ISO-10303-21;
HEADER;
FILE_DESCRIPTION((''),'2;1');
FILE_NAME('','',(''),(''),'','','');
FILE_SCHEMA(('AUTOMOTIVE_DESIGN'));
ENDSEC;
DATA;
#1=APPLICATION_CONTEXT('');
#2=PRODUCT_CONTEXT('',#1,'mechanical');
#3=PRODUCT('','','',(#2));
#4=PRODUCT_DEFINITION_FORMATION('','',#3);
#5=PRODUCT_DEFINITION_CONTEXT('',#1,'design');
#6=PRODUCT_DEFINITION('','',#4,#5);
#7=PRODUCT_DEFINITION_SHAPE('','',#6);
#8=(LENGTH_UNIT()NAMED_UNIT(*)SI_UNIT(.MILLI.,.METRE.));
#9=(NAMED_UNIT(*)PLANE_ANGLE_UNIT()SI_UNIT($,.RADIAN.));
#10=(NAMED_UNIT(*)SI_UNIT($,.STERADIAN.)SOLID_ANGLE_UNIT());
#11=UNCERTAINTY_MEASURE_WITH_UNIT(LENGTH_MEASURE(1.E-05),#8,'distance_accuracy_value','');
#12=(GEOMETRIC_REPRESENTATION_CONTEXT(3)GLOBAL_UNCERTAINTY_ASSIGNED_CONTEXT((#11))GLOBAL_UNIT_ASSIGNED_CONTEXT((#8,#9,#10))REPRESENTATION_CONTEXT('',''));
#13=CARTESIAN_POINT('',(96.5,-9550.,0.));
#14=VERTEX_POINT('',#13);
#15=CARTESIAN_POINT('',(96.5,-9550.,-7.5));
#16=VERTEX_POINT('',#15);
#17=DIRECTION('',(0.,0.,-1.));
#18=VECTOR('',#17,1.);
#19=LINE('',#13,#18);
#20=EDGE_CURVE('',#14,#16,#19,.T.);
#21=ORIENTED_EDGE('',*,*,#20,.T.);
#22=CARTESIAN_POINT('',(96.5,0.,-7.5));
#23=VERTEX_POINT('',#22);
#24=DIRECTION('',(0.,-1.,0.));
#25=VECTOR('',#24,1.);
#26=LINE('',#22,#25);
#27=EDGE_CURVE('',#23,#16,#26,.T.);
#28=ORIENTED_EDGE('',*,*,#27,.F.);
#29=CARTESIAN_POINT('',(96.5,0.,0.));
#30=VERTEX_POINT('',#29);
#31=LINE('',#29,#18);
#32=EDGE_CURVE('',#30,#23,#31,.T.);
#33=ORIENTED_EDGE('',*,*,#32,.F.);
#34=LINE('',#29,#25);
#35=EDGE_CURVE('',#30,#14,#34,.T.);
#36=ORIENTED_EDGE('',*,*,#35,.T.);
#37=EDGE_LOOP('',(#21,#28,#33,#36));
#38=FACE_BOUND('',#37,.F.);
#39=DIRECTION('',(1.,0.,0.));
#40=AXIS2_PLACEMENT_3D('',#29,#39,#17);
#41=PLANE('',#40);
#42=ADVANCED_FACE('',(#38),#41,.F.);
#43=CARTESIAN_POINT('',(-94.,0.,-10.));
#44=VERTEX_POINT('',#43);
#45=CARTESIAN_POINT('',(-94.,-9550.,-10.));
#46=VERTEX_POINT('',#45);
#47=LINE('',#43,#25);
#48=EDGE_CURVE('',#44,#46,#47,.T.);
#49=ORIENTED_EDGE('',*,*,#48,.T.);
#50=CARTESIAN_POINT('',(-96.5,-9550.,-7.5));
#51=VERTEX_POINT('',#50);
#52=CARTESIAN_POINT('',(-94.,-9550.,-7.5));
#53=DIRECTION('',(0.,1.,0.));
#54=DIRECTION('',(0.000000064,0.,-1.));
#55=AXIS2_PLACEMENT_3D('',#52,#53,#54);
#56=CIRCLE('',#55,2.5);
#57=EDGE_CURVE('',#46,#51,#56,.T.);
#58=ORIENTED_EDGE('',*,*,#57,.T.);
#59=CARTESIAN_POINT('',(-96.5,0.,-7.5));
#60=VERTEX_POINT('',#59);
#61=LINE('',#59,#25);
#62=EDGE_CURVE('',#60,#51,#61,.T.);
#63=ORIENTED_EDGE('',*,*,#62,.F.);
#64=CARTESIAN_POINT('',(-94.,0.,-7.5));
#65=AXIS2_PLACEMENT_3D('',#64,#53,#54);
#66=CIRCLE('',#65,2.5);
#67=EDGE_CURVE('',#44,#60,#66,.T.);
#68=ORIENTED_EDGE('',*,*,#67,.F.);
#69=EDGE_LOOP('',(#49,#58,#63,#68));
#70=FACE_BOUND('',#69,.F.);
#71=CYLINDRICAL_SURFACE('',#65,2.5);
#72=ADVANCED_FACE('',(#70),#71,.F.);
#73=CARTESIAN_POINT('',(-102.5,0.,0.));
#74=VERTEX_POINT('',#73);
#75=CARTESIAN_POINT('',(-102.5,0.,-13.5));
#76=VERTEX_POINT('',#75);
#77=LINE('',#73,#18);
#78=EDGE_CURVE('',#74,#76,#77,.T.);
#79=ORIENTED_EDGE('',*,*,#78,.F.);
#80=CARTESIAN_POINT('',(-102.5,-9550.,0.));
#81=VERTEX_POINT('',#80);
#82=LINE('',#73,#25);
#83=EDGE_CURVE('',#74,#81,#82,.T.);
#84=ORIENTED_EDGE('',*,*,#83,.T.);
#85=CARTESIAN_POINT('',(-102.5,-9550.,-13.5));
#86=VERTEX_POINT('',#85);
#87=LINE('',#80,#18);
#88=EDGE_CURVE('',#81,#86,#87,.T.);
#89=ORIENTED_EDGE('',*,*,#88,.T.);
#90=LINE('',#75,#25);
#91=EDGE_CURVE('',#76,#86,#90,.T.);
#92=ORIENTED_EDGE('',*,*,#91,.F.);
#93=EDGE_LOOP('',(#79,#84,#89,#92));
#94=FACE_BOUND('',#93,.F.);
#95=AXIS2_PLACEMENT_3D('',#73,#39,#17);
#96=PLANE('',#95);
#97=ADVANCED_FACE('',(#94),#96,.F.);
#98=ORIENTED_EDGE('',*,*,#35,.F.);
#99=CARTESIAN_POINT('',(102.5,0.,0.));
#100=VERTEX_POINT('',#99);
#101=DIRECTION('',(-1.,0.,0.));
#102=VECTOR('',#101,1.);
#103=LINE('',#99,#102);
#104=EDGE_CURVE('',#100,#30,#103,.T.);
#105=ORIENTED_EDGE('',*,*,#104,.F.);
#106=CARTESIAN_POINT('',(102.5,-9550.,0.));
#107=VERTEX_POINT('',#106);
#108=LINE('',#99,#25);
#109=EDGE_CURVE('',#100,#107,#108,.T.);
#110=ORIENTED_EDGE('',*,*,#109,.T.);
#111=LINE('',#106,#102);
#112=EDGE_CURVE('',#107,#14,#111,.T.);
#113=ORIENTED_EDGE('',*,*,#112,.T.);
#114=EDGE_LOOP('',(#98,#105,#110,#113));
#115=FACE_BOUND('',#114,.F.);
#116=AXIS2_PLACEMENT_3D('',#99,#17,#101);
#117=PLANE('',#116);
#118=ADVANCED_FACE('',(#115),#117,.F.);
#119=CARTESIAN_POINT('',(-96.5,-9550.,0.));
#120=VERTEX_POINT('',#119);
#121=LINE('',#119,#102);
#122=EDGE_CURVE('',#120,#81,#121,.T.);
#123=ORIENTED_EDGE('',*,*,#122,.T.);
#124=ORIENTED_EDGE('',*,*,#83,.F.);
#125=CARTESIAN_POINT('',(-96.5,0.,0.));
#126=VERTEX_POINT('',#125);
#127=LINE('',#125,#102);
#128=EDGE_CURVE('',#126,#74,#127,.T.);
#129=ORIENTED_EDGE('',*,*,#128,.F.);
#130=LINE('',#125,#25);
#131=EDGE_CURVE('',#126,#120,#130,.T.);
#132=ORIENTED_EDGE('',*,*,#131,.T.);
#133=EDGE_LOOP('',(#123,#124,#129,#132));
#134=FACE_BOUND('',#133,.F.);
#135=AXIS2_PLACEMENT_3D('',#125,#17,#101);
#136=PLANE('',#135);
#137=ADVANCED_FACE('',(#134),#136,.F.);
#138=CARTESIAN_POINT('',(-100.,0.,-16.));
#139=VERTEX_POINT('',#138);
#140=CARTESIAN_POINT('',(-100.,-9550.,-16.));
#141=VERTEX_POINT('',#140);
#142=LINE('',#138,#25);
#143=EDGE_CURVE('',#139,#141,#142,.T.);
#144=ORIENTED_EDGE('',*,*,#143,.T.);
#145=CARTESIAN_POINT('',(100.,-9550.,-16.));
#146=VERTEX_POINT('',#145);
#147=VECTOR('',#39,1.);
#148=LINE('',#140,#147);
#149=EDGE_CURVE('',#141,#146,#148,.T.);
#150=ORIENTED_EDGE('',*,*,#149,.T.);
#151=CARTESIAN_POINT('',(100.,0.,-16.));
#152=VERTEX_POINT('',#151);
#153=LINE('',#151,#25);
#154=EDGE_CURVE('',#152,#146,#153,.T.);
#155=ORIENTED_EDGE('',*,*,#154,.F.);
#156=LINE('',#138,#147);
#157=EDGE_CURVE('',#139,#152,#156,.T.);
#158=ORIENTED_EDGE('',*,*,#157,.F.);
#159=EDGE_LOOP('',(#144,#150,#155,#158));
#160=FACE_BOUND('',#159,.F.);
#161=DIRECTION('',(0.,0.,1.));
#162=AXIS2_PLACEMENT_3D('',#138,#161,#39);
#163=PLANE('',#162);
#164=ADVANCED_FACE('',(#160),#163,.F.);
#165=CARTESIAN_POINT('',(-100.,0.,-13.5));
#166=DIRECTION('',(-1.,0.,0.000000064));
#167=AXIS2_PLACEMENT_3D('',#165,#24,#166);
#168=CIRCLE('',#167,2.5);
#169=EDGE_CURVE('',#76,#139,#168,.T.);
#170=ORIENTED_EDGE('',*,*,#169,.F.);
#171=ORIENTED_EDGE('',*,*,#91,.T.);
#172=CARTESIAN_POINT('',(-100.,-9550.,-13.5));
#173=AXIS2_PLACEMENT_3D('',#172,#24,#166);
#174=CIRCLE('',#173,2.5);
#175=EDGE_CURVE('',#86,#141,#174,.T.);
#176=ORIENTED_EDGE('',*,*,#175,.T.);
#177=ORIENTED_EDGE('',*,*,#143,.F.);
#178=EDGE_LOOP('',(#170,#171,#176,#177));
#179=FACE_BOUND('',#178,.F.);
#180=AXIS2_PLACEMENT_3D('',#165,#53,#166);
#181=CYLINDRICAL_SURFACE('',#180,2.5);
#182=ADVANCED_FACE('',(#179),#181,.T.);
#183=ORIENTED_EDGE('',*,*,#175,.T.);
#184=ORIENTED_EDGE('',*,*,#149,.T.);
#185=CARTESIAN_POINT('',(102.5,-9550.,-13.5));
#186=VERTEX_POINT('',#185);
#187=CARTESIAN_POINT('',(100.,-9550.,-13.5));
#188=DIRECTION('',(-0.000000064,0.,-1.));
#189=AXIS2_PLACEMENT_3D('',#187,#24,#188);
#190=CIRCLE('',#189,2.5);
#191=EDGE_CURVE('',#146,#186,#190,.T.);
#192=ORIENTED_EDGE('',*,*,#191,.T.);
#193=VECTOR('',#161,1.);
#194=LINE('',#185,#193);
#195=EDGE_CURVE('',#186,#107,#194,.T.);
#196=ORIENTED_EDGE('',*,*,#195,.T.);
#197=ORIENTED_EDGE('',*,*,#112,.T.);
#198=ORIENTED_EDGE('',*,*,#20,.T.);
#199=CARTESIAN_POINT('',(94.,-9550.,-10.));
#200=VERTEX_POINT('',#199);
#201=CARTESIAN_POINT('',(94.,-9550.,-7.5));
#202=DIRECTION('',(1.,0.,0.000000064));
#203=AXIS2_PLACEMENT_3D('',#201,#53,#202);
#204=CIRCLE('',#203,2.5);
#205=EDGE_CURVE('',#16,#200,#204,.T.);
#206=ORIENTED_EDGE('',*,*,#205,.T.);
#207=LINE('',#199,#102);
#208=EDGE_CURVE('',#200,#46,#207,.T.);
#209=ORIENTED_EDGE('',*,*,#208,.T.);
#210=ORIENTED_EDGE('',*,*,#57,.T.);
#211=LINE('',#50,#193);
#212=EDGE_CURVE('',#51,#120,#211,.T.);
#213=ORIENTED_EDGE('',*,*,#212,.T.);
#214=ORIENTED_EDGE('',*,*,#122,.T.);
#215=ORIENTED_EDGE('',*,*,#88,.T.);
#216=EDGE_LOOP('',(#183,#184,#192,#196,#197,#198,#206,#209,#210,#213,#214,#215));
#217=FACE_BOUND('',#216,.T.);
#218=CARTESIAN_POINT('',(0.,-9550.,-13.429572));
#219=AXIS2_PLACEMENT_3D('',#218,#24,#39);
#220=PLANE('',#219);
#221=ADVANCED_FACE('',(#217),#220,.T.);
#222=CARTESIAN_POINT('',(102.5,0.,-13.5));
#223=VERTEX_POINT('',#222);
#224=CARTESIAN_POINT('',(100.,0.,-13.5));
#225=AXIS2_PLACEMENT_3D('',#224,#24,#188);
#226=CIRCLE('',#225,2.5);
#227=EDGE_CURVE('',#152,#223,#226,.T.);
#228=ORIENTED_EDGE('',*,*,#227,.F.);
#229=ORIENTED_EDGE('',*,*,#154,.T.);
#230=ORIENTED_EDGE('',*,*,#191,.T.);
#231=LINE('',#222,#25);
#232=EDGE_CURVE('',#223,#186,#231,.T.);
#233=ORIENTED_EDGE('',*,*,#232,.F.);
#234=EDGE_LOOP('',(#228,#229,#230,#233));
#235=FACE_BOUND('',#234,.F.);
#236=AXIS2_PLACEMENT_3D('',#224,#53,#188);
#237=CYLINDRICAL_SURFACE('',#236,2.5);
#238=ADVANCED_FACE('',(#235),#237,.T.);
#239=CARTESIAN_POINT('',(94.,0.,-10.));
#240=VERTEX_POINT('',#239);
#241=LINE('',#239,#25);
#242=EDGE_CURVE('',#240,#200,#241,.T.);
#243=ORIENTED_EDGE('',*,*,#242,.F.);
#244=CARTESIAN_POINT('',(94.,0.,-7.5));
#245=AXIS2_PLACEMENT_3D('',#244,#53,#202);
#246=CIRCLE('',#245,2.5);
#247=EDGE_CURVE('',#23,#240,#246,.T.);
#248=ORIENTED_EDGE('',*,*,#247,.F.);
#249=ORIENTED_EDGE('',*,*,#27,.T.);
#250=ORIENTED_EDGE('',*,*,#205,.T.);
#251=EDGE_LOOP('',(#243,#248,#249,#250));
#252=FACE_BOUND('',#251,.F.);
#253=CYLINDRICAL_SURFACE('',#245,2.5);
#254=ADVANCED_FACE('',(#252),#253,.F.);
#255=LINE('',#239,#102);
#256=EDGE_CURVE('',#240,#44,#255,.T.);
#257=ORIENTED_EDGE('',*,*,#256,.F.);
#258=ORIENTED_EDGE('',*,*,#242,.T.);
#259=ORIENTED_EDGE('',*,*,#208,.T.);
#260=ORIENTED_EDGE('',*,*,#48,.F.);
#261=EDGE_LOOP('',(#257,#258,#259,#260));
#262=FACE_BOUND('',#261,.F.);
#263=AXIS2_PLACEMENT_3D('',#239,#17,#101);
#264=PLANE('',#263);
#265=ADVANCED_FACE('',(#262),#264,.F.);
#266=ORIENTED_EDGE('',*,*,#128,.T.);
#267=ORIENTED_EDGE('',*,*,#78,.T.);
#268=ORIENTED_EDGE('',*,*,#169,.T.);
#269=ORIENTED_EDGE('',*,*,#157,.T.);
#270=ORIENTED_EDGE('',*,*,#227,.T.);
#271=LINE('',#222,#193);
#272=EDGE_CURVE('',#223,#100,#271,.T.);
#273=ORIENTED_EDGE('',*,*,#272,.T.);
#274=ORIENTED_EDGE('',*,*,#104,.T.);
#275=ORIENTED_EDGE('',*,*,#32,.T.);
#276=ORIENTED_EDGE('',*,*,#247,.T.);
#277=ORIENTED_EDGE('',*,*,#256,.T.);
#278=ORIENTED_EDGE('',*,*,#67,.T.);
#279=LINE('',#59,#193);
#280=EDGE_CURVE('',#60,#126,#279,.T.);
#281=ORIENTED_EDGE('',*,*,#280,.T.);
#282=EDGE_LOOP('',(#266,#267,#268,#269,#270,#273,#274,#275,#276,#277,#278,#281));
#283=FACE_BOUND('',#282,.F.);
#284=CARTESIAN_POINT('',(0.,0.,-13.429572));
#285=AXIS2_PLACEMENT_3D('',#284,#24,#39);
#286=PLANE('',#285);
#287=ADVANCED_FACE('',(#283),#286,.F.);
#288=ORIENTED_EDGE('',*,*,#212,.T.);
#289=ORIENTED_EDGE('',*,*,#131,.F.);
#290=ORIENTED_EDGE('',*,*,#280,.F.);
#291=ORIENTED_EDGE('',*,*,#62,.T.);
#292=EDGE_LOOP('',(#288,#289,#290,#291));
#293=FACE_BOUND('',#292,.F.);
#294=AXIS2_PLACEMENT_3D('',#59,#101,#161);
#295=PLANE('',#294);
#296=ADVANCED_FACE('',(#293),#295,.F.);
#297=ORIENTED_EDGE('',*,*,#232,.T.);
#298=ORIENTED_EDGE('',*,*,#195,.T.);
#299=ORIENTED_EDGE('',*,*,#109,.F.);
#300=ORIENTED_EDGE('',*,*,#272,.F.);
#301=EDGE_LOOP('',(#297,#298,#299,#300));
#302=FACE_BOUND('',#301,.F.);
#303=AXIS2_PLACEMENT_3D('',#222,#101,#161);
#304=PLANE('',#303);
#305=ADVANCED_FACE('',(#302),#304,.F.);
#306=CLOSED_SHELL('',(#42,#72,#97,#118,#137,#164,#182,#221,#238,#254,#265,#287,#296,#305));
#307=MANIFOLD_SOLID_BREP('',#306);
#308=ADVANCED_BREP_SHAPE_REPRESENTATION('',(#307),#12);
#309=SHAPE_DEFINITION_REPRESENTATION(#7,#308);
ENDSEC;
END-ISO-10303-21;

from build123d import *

# Parameters (mm, degrees)
F1_DEPTH = 9550


with BuildPart() as f1:
    # F0 (on Front) → F1 (new body)
    with BuildSketch(Plane.XZ):
        with BuildLine():
            Line((-100, -16), (100, -16))
            ThreePointArc((100, -16), (101.767767, -15.267767), (102.5, -13.5))
            Line((102.5, -13.5), (102.5, 0))
            Line((102.5, 0), (99.5, 0))
            Line((99.5, 0), (99.5, -10.5))
            ThreePointArc((99.5, -10.5), (98.767767, -12.267767), (97, -13))
            Line((97, -13), (-97, -13))
            ThreePointArc((-97, -13), (-98.767767, -12.267767), (-99.5, -10.5))
            Line((-99.5, -10.5), (-99.5, 0))
            Line((-99.5, 0), (-102.5, 0))
            Line((-102.5, 0), (-102.5, -13.5))
            ThreePointArc((-102.5, -13.5), (-101.767767, -15.267767), (-100, -16))
        make_face()
        with BuildLine():
            Line((99.5, -10.5), (99.5, 0))
            Line((99.5, 0), (96.5, 0))
            Line((96.5, 0), (96.5, -7.5))
            ThreePointArc((96.5, -7.5), (95.767767, -9.267767), (94, -10))
            Line((94, -10), (-94, -10))
            ThreePointArc((-94, -10), (-95.767767, -9.267767), (-96.5, -7.5))
            Line((-96.5, -7.5), (-96.5, 0))
            Line((-96.5, 0), (-99.5, 0))
            Line((-99.5, 0), (-99.5, -10.5))
            ThreePointArc((-99.5, -10.5), (-98.767767, -12.267767), (-97, -13))
            Line((-97, -13), (97, -13))
            ThreePointArc((97, -13), (98.767767, -12.267767), (99.5, -10.5))
        make_face()
    extrude(amount=F1_DEPTH)


solid = f1.part
